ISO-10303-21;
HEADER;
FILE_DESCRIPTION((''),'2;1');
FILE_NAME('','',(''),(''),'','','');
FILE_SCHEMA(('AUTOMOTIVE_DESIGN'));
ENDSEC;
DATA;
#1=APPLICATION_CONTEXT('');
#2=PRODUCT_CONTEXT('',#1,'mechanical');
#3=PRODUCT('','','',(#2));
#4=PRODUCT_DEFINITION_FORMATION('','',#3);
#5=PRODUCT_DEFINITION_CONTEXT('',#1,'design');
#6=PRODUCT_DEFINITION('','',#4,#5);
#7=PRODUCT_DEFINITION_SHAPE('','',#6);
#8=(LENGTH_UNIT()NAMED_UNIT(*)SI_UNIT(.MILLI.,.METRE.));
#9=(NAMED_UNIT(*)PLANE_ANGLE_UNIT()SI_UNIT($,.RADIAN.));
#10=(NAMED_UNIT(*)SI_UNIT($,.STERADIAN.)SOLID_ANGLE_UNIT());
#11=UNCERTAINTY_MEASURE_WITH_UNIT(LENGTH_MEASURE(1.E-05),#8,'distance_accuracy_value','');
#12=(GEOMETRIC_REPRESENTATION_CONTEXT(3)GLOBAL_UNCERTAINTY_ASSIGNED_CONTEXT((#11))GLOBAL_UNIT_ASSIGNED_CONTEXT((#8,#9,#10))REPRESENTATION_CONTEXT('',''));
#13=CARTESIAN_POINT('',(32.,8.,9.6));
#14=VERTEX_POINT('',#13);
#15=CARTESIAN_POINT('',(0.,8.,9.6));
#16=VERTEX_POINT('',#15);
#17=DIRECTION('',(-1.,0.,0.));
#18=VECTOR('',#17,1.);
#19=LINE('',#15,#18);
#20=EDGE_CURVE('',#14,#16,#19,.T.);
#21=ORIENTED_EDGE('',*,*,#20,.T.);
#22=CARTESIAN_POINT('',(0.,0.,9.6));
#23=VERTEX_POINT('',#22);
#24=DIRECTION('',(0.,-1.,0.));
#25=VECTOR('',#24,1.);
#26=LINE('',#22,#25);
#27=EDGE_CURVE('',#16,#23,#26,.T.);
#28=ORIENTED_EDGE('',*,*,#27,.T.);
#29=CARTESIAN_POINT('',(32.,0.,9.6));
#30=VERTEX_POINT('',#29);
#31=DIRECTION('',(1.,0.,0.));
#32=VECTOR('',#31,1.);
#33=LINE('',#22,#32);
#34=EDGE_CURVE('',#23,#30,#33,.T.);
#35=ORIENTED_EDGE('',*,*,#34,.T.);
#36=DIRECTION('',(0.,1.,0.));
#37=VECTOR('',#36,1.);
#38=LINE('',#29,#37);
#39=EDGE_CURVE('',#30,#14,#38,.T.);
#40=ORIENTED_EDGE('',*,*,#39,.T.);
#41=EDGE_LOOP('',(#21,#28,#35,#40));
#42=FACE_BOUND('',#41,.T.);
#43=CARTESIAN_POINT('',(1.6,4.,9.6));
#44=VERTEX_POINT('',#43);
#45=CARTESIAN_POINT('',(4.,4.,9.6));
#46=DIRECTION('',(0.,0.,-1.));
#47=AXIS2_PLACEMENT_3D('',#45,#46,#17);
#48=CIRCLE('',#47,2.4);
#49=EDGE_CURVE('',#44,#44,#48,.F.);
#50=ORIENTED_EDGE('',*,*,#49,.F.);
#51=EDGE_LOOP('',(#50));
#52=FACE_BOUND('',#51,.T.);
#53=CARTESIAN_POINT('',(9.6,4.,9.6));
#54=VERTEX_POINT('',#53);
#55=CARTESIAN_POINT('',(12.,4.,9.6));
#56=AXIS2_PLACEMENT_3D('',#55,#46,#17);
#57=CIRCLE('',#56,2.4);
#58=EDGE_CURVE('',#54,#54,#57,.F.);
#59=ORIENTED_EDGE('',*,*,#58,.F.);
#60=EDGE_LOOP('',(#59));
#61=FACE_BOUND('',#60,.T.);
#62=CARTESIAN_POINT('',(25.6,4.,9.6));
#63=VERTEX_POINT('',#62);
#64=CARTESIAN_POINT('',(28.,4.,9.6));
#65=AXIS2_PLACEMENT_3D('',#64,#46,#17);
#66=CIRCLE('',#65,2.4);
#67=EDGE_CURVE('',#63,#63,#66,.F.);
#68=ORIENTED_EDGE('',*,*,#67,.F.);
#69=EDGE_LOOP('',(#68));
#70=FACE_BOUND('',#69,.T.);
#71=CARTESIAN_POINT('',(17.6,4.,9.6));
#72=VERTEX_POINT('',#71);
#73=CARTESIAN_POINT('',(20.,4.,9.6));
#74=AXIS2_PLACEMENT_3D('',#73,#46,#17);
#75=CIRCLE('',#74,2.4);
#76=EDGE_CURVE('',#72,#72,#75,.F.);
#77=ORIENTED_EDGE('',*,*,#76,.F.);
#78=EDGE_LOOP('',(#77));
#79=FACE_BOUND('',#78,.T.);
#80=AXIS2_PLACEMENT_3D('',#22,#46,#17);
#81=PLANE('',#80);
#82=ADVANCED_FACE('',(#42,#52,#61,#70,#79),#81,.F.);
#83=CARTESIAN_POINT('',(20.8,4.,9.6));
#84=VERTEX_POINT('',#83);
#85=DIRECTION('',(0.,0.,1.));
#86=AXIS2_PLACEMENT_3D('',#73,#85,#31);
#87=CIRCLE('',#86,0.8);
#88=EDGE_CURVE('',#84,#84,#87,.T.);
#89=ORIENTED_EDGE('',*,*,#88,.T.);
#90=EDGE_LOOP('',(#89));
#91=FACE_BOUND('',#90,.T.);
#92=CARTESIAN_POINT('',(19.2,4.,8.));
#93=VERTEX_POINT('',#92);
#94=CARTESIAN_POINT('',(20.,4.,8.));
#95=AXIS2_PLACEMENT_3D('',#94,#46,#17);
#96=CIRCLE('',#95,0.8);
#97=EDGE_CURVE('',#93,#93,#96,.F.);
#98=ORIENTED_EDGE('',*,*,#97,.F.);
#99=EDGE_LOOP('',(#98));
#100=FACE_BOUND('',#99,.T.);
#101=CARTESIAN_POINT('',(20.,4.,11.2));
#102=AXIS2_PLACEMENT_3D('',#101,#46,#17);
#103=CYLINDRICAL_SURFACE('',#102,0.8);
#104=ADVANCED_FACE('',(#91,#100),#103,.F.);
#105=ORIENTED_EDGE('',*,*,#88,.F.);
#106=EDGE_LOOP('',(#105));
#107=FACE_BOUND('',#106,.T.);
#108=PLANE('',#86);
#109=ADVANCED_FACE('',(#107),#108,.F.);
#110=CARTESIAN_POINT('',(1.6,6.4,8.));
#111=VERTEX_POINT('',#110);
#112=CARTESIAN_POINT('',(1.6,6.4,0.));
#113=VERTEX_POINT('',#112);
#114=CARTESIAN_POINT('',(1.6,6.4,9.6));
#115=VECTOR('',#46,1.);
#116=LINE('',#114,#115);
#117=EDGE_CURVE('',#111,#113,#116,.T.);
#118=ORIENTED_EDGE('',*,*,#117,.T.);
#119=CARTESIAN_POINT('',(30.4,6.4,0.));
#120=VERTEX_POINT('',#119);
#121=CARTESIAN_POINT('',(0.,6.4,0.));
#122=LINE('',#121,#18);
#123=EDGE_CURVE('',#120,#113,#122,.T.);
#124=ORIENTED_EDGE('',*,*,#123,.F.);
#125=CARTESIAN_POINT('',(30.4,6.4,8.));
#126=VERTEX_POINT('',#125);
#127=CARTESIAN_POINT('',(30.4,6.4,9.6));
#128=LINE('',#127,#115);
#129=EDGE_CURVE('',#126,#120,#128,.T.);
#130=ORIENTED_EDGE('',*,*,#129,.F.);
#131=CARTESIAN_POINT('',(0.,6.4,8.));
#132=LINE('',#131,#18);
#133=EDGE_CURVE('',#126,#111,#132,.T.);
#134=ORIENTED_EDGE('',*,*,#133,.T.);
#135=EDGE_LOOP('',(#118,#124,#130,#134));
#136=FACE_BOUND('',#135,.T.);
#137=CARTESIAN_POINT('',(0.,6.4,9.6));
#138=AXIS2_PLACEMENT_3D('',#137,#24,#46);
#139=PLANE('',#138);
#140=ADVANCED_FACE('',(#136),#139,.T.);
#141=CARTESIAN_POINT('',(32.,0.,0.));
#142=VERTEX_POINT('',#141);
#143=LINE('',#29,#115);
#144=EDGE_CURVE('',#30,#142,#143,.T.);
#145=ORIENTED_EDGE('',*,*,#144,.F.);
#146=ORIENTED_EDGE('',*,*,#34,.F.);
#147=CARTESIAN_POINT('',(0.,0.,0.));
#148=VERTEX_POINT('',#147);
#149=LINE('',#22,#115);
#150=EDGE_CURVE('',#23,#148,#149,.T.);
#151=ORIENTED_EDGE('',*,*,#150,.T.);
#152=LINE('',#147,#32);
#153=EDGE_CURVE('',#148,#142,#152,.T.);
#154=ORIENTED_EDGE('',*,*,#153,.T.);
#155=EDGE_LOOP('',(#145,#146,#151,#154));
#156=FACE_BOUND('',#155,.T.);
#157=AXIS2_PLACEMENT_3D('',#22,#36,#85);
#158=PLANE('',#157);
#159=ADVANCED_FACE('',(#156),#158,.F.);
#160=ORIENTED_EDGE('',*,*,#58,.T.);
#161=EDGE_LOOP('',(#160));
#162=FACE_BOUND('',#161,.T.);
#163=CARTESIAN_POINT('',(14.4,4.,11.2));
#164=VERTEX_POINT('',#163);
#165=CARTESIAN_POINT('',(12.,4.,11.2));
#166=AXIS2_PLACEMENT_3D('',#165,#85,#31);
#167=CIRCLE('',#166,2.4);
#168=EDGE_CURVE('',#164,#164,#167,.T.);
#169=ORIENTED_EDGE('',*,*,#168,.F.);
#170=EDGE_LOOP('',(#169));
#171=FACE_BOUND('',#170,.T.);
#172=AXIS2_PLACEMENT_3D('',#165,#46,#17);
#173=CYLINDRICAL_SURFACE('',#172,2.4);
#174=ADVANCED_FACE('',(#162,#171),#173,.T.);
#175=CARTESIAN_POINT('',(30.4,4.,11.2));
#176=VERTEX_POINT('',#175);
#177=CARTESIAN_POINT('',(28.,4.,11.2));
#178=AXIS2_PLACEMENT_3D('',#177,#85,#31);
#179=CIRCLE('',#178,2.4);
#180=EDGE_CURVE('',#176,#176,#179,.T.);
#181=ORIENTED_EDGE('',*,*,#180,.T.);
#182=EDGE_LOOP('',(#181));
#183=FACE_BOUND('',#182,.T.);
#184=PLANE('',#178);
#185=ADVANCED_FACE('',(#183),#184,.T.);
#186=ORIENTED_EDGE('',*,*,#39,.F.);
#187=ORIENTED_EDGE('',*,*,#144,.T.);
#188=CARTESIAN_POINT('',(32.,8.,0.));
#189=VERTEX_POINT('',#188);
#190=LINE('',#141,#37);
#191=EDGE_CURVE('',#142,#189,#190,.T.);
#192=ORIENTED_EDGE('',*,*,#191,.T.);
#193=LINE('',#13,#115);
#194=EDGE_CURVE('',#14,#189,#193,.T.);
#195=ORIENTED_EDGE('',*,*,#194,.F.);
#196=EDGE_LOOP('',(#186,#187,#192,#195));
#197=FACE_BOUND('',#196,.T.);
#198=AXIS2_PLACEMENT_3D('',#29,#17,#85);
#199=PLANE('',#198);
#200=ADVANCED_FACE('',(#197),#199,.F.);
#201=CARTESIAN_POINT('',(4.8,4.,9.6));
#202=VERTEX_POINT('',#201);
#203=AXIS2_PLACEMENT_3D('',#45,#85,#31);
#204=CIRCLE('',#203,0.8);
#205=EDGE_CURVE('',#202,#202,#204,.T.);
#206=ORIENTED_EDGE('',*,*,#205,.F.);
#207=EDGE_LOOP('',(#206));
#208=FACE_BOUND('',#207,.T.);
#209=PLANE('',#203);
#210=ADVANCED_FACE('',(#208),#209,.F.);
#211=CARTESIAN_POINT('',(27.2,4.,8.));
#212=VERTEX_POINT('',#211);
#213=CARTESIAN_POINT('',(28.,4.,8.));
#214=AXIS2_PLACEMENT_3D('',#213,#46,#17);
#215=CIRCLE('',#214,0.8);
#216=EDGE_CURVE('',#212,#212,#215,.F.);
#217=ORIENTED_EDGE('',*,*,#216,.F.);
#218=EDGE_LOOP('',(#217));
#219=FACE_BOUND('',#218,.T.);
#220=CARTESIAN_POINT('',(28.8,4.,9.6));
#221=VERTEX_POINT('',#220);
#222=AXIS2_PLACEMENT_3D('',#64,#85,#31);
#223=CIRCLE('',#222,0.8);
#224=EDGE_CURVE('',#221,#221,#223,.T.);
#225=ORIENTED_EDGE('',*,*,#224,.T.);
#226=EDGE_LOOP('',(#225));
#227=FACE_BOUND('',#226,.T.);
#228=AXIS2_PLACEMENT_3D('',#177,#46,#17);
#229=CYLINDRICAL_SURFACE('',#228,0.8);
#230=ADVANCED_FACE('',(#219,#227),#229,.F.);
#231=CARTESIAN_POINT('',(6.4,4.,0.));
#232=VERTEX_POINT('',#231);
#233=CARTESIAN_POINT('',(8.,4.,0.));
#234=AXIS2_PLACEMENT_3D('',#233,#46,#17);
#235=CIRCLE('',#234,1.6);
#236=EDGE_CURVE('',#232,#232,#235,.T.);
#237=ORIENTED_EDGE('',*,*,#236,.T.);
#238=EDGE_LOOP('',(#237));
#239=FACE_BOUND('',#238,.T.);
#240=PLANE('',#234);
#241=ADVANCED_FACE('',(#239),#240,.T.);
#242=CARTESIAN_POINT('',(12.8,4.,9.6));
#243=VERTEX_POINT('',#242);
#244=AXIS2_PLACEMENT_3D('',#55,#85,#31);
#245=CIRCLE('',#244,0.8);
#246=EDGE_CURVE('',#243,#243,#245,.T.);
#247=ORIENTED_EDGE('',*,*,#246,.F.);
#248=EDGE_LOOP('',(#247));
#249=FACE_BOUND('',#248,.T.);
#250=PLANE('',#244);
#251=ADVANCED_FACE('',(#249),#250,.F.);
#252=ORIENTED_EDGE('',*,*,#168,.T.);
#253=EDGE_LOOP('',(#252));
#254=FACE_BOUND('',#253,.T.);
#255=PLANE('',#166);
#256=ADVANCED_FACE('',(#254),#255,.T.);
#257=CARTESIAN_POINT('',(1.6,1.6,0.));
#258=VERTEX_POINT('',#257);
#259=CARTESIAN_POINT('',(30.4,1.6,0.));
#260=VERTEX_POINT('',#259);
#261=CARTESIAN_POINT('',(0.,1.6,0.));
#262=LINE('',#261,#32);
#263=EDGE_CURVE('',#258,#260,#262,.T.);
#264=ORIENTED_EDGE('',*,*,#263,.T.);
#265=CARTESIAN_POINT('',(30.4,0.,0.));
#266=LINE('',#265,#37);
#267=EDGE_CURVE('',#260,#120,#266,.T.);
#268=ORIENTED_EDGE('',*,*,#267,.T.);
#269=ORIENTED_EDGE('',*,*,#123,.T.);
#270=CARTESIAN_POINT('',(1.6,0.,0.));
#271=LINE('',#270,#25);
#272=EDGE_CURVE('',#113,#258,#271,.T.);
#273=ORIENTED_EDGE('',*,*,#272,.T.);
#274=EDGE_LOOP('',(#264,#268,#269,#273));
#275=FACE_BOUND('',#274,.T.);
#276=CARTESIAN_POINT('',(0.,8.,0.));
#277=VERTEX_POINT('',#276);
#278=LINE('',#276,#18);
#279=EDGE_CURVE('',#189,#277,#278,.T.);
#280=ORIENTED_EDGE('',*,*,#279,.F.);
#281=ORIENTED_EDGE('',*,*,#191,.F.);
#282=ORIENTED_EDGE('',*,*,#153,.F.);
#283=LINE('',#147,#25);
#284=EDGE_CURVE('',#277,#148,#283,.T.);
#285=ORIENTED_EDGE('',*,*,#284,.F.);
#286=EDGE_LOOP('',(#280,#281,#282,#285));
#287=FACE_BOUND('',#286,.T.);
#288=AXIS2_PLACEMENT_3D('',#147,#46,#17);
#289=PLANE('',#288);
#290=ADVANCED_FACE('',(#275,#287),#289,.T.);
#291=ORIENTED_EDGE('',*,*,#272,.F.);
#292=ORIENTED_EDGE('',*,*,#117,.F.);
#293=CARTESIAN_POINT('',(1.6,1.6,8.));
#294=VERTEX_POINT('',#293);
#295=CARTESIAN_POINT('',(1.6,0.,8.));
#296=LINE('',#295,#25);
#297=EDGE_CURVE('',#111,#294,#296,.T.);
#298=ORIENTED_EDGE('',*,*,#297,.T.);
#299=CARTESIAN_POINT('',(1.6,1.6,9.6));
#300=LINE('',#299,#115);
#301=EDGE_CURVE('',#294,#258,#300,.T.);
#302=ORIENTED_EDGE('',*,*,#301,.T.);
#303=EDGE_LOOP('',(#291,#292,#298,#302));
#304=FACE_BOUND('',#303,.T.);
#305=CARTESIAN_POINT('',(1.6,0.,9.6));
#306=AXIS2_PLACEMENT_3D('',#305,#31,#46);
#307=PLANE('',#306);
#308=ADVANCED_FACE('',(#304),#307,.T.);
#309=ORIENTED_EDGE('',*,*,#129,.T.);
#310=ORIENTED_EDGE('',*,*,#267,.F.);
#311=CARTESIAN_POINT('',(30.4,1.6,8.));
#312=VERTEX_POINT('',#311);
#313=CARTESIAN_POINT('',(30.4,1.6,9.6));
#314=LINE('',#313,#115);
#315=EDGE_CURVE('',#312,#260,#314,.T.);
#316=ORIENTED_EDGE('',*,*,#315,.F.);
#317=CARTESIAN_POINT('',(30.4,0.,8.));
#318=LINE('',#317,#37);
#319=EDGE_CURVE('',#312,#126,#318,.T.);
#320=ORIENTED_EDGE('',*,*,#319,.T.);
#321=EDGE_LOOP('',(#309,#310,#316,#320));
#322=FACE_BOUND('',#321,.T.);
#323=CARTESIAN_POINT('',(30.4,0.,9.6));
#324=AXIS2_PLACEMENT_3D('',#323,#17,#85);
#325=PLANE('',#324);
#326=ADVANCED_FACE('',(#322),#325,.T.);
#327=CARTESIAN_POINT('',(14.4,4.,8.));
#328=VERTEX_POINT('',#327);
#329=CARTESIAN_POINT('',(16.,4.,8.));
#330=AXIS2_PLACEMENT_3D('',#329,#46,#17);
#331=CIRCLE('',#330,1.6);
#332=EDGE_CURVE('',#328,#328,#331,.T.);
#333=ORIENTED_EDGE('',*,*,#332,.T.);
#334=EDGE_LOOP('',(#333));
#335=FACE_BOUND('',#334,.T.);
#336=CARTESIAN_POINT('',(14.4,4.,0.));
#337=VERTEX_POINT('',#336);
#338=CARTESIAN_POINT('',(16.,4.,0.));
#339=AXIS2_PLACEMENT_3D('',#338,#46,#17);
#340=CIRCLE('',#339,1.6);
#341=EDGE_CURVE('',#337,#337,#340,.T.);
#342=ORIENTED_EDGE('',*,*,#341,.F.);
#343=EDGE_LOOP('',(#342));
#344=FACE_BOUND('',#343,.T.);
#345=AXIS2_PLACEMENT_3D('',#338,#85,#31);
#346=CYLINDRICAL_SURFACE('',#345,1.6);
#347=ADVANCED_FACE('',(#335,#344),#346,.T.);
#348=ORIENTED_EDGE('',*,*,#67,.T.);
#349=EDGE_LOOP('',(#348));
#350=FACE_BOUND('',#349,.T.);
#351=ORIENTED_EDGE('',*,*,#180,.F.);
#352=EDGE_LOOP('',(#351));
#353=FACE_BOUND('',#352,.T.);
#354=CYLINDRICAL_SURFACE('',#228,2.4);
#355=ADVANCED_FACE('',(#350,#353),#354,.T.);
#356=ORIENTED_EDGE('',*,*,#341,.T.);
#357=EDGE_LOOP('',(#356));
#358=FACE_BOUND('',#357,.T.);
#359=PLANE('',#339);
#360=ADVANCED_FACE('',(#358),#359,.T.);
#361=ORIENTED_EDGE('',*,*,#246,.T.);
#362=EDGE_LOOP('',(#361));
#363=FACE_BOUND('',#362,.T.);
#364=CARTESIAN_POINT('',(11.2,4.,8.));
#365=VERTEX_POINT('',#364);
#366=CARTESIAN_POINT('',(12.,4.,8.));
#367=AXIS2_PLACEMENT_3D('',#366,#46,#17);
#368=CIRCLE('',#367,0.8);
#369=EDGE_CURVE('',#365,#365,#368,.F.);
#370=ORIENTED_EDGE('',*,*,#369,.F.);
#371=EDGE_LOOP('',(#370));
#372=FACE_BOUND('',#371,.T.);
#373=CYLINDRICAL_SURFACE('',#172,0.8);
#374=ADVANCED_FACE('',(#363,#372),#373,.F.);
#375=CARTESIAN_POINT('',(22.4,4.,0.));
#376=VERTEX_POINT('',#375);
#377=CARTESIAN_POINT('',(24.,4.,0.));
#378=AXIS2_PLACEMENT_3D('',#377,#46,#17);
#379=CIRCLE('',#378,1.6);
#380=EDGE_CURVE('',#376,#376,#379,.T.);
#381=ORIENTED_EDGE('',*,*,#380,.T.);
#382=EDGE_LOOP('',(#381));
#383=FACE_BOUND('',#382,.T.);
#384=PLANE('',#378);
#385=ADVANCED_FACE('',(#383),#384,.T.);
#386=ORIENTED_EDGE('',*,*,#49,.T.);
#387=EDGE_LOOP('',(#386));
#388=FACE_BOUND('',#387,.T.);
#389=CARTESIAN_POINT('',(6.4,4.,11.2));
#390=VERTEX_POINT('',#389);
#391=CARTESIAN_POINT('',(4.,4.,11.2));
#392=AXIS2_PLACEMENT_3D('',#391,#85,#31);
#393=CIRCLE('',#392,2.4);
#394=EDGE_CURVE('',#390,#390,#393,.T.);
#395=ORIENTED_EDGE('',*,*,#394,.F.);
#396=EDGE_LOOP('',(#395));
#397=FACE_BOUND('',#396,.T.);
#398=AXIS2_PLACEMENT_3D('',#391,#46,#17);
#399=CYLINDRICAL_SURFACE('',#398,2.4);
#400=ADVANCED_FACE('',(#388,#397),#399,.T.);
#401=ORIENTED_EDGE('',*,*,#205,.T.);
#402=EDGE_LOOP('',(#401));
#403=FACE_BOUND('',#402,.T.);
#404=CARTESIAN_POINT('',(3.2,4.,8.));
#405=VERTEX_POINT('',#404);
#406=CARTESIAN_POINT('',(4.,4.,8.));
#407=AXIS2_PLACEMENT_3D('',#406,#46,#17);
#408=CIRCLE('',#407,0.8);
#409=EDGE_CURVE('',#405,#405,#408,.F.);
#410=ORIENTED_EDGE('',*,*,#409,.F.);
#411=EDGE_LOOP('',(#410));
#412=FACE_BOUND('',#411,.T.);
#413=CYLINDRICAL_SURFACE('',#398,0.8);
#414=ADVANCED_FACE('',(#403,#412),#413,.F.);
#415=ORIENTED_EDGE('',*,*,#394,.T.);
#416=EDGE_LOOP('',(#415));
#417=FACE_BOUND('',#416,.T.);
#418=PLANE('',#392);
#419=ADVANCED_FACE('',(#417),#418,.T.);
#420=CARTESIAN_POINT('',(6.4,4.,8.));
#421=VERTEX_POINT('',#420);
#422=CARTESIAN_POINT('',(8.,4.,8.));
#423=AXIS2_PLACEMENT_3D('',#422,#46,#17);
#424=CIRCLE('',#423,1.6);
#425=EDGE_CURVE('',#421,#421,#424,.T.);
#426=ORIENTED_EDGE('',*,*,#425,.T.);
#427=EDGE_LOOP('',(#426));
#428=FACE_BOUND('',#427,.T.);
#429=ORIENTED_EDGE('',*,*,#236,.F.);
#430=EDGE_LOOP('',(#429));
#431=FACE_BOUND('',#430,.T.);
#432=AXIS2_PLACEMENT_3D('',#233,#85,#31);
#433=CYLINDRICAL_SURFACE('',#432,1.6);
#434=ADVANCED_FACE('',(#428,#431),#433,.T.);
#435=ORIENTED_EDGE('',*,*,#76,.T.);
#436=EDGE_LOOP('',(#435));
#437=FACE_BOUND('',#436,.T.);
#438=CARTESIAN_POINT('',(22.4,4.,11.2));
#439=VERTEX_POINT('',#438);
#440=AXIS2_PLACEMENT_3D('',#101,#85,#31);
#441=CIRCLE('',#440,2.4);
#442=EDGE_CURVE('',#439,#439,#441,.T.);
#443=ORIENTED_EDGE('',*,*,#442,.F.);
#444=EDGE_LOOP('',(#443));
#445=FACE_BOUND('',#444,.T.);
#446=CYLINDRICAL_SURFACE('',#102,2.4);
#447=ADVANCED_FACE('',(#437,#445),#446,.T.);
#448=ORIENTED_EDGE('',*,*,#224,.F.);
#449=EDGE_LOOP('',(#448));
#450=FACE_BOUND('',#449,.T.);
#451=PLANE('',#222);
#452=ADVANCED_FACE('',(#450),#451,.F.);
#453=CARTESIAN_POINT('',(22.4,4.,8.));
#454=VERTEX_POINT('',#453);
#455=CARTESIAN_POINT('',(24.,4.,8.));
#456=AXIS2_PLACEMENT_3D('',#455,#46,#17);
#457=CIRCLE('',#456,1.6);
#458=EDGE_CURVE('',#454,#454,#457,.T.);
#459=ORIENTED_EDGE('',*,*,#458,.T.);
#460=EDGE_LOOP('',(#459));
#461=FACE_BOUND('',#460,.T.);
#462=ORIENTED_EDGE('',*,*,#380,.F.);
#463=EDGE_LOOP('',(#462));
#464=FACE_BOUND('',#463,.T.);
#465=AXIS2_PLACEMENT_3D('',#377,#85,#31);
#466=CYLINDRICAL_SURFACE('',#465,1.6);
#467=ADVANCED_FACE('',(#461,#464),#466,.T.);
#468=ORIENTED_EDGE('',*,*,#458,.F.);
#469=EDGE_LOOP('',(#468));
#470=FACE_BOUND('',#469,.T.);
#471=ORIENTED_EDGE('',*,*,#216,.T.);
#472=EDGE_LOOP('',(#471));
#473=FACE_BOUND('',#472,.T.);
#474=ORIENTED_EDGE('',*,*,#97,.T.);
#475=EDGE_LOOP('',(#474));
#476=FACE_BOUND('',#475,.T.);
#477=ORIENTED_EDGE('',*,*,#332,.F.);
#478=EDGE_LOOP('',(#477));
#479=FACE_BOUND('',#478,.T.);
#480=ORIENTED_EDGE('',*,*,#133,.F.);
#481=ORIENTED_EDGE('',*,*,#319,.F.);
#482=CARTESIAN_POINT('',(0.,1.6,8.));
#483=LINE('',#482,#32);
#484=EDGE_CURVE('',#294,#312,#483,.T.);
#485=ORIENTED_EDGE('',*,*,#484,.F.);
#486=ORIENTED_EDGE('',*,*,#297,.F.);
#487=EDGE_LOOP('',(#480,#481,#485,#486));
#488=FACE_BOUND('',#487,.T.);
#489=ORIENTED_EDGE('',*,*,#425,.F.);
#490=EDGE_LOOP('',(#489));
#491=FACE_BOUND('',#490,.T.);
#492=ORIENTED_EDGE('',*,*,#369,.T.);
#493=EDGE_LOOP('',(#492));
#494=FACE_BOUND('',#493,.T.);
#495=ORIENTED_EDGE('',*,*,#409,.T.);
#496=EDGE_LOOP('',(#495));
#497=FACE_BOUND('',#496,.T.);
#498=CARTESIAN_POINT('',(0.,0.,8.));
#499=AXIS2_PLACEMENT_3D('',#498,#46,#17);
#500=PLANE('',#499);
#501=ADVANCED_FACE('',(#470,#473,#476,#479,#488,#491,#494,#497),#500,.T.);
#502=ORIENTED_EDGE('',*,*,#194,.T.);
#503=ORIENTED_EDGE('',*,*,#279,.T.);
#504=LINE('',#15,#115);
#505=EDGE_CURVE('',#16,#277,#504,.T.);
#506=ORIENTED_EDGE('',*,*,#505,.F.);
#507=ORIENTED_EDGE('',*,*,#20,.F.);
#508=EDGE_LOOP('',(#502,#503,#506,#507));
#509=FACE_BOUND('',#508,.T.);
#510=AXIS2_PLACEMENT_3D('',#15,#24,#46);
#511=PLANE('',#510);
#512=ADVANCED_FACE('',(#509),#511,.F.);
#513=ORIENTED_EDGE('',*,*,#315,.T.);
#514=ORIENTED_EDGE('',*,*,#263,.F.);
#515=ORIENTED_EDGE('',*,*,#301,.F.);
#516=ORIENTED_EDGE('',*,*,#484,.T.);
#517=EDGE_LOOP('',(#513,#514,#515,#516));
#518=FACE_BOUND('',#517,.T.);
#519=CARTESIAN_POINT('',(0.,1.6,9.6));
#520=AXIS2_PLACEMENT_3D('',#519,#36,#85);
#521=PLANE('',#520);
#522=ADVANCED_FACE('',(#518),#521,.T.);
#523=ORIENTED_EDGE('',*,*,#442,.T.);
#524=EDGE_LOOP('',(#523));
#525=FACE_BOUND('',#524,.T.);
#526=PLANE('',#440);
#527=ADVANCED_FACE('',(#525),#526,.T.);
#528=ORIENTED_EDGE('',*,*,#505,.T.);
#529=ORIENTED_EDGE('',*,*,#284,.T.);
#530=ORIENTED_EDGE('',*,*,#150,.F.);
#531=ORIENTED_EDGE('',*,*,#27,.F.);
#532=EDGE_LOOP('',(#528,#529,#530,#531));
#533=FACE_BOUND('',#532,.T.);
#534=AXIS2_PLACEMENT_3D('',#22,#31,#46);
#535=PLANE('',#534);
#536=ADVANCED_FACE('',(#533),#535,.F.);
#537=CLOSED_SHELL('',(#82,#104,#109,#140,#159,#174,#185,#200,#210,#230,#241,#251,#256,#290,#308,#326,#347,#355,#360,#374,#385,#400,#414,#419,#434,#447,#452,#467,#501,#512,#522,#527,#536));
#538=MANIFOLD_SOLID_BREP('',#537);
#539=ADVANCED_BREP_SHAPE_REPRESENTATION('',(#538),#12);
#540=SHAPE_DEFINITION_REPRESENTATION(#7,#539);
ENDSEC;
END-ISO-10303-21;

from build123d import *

# Parameters (mm, degrees)
SKETCH1_W           = 32
SKETCH1_H           = 8
BOSS_EXTRUDE1_DEPTH = 9.6
SKETCH2_R           = 2.4
BOSS_EXTRUDE2_DEPTH = 1.6
LPATTERN1_COUNT     = 4
LPATTERN1_PITCH     = 8
SHELL1_T            = -1.6
SKETCH3_R           = 1.6
BOSS_EXTRUDE3_DEPTH = 8
LPATTERN2_COUNT     = 3
LPATTERN2_PITCH     = 8


with BuildPart() as part:
    # Sketch1 → Boss-Extrude1 (new body)
    with BuildSketch(Plane.XY):
        with Locations((16, 4)):
            Rectangle(SKETCH1_W, SKETCH1_H)
    extrude(amount=BOSS_EXTRUDE1_DEPTH)

    # Sketch2 → Boss-Extrude2 (add)
    with BuildSketch(Plane.XY.offset(9.6)):
        with Locations((4, 4)):
            Circle(SKETCH2_R)
    boss_extrude2 = extrude(amount=BOSS_EXTRUDE2_DEPTH)

    # LPattern1: Boss-Extrude2 ×4
    with Locations(*[(i * LPATTERN1_PITCH, 0, 0) for i in range(1, LPATTERN1_COUNT)]):
        add(boss_extrude2)

    # Shell1
    shell1_openings = [part.faces().sort_by_distance(p)[0] for p in [
        (16, 4, 0),
    ]]
    offset(amount=SHELL1_T, openings=shell1_openings, kind=Kind.INTERSECTION)

    # Sketch3 → Boss-Extrude3 (add)
    with BuildSketch(Plane(origin=(0, 0, 8), x_dir=(-1, 0, 0), z_dir=(0, 0, -1))):
        with Locations((-8, 4)):
            Circle(SKETCH3_R)
    boss_extrude3 = extrude(amount=BOSS_EXTRUDE3_DEPTH)

    # LPattern2: Boss-Extrude3 ×3
    with Locations(*[(i * LPATTERN2_PITCH, 0, 0) for i in range(1, LPATTERN2_COUNT)]):
        add(boss_extrude3)


solid = part.part
